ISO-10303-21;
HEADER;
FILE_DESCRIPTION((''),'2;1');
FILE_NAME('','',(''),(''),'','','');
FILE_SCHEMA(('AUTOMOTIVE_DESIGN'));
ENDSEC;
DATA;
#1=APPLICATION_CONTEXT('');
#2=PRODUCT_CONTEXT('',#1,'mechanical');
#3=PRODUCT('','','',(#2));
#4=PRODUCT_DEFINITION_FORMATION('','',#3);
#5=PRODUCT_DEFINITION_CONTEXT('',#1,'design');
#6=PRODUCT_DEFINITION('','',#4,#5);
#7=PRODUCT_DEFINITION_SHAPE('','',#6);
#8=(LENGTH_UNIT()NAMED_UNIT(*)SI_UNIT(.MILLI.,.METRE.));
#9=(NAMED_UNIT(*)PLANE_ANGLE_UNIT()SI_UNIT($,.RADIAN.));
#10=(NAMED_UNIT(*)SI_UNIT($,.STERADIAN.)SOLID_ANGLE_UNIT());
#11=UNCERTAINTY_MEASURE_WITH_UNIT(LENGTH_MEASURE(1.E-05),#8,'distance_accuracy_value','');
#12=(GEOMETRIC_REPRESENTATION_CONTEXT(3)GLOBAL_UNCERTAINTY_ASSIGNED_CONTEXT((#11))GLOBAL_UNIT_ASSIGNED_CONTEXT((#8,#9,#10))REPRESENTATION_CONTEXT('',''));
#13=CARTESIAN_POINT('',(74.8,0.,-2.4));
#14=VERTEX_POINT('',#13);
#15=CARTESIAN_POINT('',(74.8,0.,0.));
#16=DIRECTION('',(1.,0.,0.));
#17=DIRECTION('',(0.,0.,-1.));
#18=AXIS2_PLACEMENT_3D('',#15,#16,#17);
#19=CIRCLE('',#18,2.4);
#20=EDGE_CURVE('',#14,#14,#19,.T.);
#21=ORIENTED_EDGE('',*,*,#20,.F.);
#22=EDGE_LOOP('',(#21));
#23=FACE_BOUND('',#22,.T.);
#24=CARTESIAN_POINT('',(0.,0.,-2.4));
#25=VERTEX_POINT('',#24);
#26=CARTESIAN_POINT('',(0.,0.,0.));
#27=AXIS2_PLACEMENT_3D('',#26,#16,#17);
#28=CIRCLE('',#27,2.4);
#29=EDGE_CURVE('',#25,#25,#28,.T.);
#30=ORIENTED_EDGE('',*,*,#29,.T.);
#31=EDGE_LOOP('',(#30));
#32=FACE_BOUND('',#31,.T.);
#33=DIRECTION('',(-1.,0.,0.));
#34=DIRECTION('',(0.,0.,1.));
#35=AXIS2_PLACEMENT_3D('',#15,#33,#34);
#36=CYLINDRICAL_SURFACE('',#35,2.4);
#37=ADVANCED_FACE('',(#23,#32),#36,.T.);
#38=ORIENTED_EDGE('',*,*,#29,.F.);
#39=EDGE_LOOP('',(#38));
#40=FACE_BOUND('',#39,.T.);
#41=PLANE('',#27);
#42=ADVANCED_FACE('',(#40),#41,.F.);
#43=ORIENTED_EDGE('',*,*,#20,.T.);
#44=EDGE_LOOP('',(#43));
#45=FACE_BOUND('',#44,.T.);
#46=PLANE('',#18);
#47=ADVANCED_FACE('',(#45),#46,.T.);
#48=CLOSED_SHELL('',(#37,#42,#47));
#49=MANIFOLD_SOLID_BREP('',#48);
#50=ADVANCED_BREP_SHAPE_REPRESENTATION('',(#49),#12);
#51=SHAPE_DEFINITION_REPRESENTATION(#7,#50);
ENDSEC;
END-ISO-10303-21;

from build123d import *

# Parameters (mm, degrees)
SKETCH2_R           = 2.5
BOSS_EXTRUDE1_DEPTH = 74.8
MOVE_FACE1_BY       = 0.1


with BuildPart() as part:
    # Sketch2 → Boss-Extrude1 (new body)
    with BuildSketch(Plane(origin=(0, 0, 0), x_dir=(0, 0, -1), z_dir=(1, 0, 0))):
        Circle(SKETCH2_R)
    extrude(amount=BOSS_EXTRUDE1_DEPTH)

    # Move Face1: a curved face moved inward by 0.1
    add(Solid.thicken(part.faces().sort_by_distance((37.4, 0, 2.5))[0], -MOVE_FACE1_BY), mode=Mode.SUBTRACT)


solid = part.part
